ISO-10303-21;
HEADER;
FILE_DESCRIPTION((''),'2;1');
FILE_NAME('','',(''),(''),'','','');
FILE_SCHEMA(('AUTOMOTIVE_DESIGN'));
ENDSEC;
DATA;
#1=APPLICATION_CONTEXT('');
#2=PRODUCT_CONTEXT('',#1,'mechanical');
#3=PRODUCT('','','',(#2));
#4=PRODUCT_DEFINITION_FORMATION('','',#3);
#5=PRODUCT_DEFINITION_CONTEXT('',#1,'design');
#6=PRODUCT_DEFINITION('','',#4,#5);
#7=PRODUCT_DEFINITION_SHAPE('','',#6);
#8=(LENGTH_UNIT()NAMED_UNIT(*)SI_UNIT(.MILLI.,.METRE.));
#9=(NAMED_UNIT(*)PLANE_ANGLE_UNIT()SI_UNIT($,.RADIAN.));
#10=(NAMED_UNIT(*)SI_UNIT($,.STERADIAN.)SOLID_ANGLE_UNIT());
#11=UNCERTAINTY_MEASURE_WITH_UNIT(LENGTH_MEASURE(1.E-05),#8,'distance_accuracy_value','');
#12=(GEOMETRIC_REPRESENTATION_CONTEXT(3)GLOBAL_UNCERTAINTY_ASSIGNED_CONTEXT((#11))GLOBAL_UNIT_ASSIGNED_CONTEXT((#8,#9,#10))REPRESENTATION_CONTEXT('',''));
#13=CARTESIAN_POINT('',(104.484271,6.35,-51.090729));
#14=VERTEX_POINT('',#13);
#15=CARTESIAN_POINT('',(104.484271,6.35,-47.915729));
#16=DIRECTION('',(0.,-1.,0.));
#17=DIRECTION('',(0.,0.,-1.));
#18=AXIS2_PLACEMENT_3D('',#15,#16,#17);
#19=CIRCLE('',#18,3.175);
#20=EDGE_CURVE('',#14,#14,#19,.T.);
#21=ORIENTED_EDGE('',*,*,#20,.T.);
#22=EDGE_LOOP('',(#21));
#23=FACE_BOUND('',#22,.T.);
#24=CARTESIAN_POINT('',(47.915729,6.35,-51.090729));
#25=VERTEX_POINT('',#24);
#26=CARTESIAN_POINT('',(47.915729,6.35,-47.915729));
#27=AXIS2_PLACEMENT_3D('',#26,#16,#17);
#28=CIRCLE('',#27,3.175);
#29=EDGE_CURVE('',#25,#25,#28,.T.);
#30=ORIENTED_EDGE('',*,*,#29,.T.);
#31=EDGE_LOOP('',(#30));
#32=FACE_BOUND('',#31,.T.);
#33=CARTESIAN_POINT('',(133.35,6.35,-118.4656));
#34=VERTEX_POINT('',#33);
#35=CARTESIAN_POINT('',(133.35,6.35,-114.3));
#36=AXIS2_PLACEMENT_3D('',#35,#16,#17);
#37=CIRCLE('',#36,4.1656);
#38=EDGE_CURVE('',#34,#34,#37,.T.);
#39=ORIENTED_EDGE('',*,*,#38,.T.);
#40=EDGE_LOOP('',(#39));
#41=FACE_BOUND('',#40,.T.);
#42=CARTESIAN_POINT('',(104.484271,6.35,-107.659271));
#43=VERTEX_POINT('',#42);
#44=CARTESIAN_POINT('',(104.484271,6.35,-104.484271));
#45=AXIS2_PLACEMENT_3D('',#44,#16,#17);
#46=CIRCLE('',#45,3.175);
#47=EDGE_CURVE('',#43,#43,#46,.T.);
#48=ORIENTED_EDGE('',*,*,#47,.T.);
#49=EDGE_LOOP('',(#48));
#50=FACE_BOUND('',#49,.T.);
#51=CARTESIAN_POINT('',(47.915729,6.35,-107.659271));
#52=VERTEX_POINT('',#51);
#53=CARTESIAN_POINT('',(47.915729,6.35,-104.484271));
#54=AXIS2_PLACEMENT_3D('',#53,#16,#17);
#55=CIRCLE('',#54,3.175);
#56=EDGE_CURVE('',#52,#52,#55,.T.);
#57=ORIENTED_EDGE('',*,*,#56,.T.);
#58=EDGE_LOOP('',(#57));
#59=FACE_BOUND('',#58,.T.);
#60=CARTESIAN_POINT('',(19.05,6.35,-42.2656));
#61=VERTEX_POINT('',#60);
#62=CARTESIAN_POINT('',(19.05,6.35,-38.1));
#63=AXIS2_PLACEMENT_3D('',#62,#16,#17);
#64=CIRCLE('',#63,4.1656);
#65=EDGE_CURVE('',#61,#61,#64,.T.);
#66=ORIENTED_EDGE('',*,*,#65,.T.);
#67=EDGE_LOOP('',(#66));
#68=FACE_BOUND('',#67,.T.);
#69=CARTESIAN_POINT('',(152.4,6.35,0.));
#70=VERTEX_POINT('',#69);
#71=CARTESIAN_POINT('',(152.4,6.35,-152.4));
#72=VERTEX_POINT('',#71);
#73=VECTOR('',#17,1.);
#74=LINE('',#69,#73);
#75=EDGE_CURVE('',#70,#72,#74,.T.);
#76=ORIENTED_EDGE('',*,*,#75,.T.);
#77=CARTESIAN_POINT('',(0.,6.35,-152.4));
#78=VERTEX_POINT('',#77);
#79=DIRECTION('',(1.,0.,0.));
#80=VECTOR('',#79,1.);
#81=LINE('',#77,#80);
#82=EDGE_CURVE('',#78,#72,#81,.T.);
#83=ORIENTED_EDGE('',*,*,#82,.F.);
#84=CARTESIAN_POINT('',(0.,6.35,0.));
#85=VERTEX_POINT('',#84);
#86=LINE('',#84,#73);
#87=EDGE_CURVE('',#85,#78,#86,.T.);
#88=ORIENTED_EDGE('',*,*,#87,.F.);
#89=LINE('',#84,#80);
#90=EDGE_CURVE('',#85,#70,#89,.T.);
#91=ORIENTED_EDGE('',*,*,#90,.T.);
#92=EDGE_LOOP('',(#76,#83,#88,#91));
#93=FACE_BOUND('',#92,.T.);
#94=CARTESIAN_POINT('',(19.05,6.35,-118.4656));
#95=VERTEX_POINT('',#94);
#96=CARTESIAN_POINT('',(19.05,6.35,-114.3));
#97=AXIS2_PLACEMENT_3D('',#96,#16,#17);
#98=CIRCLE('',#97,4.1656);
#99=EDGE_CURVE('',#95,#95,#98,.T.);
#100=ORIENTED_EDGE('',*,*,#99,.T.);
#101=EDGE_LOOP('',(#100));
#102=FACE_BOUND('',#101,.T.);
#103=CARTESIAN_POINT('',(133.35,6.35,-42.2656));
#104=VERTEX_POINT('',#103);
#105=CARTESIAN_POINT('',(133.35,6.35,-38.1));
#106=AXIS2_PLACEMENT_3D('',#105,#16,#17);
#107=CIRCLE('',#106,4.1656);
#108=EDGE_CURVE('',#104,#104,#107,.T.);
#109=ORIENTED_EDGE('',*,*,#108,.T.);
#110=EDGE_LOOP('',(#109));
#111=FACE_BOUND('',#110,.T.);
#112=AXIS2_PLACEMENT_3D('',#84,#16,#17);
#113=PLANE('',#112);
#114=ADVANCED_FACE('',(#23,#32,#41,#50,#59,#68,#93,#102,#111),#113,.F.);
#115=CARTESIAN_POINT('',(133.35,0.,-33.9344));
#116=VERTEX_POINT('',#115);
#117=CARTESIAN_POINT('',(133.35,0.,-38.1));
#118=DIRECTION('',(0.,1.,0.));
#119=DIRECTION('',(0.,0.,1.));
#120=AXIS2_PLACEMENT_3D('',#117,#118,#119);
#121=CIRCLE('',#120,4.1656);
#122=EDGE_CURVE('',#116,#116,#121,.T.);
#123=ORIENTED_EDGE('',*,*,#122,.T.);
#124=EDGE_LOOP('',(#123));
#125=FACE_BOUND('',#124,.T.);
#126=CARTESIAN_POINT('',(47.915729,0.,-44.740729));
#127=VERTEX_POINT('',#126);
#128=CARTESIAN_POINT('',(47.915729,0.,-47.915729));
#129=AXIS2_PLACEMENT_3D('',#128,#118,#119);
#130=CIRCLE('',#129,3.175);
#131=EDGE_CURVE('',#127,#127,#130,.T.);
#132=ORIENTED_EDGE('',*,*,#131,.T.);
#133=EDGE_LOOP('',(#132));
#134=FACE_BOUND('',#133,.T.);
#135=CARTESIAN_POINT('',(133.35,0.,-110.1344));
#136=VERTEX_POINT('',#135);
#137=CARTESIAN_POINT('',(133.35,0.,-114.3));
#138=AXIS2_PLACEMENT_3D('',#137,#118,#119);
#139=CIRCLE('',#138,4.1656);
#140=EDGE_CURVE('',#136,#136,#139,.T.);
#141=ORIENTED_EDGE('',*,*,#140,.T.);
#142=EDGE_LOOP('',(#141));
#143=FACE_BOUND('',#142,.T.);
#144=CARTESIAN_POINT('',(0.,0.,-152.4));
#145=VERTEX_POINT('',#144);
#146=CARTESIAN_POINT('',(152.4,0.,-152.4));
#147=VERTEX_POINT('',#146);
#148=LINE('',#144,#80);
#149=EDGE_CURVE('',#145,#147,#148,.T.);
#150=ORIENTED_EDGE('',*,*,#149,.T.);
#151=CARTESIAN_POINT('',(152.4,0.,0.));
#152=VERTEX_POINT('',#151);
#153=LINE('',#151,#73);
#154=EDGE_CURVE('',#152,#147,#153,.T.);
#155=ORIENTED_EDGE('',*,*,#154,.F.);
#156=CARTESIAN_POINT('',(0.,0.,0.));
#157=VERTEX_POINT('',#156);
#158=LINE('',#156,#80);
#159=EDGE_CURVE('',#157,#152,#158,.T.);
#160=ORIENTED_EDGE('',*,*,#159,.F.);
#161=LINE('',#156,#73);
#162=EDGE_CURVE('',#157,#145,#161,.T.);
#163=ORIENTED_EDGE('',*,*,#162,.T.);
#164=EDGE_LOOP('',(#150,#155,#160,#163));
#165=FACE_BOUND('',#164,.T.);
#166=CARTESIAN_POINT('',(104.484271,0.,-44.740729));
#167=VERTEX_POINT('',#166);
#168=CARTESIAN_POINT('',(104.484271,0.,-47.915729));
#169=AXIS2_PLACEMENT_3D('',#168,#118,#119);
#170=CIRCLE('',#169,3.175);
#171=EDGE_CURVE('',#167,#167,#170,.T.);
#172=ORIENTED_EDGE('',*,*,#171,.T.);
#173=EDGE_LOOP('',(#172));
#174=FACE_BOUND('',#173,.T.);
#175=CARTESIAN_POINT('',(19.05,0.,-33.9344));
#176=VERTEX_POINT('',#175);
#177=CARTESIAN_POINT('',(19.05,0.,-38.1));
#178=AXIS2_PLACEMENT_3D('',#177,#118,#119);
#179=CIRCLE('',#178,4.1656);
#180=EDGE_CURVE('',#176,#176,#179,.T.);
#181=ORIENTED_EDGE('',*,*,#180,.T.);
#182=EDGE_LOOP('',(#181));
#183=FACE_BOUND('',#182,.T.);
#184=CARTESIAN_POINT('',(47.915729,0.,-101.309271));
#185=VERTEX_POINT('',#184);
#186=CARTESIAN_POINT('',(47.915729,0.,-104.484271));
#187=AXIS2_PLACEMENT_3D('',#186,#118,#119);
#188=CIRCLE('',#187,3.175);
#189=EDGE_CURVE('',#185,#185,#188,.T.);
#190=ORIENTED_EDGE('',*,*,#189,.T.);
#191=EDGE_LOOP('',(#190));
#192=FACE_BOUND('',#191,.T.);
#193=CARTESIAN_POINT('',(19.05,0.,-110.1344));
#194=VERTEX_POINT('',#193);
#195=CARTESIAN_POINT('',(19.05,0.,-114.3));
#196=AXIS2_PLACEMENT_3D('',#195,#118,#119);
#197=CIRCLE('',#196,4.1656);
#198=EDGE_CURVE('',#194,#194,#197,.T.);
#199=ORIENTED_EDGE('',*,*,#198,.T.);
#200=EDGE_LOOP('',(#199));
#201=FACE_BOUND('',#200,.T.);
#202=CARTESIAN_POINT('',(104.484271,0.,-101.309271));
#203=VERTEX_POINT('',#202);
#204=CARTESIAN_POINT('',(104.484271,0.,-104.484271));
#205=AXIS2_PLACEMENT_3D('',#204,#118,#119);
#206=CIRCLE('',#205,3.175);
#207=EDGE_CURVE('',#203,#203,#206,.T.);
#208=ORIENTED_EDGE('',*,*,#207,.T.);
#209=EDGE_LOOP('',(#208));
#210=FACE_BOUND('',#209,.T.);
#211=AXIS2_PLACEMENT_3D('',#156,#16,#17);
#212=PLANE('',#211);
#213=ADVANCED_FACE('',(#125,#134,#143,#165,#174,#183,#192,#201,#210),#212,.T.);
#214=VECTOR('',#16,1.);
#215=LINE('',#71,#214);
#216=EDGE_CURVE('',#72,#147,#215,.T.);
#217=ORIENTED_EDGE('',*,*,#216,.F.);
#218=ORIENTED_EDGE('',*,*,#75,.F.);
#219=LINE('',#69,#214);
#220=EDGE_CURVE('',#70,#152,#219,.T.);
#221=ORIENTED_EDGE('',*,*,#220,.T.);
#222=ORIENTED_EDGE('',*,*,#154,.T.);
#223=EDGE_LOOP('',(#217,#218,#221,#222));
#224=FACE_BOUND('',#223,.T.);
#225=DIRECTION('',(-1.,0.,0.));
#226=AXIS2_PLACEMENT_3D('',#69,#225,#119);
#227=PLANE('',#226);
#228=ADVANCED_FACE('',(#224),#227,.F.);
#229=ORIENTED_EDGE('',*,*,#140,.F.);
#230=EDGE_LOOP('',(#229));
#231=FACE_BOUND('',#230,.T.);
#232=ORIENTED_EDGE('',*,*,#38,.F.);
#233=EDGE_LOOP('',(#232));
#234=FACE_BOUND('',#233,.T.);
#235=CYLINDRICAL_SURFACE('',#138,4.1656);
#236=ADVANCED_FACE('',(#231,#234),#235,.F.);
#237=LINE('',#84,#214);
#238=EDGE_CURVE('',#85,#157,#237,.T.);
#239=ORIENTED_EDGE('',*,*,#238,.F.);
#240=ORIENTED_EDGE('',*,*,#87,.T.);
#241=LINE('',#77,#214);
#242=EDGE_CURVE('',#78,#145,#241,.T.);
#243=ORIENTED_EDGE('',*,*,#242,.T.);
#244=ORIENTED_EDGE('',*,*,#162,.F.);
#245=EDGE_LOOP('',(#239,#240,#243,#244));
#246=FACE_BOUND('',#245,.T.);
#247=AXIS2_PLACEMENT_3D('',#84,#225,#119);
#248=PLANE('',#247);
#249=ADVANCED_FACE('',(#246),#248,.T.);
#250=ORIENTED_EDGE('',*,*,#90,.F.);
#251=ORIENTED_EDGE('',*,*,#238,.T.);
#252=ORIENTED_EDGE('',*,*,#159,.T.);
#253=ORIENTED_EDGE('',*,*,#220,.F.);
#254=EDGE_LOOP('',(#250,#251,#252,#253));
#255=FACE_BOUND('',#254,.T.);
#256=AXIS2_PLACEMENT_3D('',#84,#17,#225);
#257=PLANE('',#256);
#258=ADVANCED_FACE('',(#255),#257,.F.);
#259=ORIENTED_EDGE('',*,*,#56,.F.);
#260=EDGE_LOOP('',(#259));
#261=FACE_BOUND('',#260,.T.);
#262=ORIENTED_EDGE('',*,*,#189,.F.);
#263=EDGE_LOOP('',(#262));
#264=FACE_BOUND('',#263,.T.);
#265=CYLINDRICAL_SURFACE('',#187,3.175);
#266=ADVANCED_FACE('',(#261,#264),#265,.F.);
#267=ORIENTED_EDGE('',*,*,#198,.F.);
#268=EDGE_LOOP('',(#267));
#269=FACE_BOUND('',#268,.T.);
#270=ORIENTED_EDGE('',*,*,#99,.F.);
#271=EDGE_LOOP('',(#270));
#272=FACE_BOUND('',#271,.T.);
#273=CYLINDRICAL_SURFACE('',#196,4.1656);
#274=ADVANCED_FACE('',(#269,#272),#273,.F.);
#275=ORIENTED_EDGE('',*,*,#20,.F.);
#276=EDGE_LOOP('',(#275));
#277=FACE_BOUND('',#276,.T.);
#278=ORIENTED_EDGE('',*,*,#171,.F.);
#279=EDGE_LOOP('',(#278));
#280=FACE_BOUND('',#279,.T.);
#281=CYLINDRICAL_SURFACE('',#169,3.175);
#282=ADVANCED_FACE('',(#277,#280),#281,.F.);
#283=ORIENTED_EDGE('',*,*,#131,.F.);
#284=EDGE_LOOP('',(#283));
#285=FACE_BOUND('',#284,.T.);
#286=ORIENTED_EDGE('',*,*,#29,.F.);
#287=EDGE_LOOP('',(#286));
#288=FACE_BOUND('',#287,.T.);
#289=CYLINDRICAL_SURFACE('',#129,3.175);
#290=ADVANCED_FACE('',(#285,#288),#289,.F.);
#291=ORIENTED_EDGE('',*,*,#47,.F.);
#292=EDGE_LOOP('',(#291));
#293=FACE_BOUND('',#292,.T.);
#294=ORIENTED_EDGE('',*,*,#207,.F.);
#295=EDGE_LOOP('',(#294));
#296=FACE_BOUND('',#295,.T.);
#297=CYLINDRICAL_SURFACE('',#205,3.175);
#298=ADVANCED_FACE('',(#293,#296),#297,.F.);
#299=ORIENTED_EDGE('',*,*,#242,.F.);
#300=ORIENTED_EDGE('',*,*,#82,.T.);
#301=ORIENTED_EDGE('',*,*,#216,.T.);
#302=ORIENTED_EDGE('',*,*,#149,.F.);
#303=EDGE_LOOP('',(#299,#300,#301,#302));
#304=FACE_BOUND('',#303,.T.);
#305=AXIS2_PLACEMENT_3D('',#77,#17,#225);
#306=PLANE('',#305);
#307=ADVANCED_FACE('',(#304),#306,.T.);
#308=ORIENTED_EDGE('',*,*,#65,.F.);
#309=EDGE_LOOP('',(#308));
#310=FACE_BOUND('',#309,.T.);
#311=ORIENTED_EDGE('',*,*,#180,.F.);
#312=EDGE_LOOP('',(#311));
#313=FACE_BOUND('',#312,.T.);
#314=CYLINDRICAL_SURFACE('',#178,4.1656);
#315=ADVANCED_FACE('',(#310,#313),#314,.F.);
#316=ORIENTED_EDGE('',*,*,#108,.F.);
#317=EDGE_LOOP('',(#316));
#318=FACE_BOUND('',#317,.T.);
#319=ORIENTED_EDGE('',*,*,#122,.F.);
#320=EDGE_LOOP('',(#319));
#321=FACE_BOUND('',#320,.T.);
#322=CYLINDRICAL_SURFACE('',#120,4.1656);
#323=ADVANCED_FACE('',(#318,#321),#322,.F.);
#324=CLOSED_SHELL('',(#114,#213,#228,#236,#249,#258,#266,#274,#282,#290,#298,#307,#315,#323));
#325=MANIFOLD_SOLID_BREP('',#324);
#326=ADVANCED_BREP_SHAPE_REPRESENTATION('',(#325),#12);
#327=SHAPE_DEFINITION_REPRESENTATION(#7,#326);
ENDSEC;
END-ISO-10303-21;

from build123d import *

# Parameters (mm, degrees)
SKETCH1_W               = 152.4
SKETCH1_H               = 152.4
BOSS_EXTRUDE1_DEPTH     = 6.35
SKETCH2_R               = 4.1656
SKETCH2_R_2             = 3.175
CUT_EXTRUDE1_DEPTH      = 1
CUT_EXTRUDE1_DEPTH_BACK = 7.35


with BuildPart() as part:
    # Sketch1 → Boss-Extrude1 (new body)
    with BuildSketch(Plane(origin=(0, 0, 0), x_dir=(1, 0, 0), z_dir=(0, 1, 0))):
        with Locations((76.2, 76.2)):
            Rectangle(SKETCH1_W, SKETCH1_H)
    extrude(amount=BOSS_EXTRUDE1_DEPTH)

    # Sketch2 → Cut-Extrude1 (cut, two sides)
    with BuildSketch(Plane(origin=(0, 6.35, 0), x_dir=(1, 0, 0), z_dir=(0, 1, 0))) as cut_extrude1_sk:
        with Locations((19.05, 38.1)):
            Circle(SKETCH2_R)
        with Locations((19.05, 114.3)):
            Circle(SKETCH2_R)
        with Locations((133.35, 114.3)):
            Circle(SKETCH2_R)
        with Locations((133.35, 38.1)):
            Circle(SKETCH2_R)
        with Locations((104.484271247, 104.484271247)):
            Circle(SKETCH2_R_2)
        with Locations((47.915728753, 47.915728753)):
            Circle(SKETCH2_R_2)
        with Locations((47.915728753, 104.484271247)):
            Circle(SKETCH2_R_2)
        with Locations((104.484271247, 47.915728753)):
            Circle(SKETCH2_R_2)
    extrude(amount=CUT_EXTRUDE1_DEPTH, mode=Mode.SUBTRACT)
    extrude(cut_extrude1_sk.sketch, amount=-CUT_EXTRUDE1_DEPTH_BACK, mode=Mode.SUBTRACT)


solid = part.part
